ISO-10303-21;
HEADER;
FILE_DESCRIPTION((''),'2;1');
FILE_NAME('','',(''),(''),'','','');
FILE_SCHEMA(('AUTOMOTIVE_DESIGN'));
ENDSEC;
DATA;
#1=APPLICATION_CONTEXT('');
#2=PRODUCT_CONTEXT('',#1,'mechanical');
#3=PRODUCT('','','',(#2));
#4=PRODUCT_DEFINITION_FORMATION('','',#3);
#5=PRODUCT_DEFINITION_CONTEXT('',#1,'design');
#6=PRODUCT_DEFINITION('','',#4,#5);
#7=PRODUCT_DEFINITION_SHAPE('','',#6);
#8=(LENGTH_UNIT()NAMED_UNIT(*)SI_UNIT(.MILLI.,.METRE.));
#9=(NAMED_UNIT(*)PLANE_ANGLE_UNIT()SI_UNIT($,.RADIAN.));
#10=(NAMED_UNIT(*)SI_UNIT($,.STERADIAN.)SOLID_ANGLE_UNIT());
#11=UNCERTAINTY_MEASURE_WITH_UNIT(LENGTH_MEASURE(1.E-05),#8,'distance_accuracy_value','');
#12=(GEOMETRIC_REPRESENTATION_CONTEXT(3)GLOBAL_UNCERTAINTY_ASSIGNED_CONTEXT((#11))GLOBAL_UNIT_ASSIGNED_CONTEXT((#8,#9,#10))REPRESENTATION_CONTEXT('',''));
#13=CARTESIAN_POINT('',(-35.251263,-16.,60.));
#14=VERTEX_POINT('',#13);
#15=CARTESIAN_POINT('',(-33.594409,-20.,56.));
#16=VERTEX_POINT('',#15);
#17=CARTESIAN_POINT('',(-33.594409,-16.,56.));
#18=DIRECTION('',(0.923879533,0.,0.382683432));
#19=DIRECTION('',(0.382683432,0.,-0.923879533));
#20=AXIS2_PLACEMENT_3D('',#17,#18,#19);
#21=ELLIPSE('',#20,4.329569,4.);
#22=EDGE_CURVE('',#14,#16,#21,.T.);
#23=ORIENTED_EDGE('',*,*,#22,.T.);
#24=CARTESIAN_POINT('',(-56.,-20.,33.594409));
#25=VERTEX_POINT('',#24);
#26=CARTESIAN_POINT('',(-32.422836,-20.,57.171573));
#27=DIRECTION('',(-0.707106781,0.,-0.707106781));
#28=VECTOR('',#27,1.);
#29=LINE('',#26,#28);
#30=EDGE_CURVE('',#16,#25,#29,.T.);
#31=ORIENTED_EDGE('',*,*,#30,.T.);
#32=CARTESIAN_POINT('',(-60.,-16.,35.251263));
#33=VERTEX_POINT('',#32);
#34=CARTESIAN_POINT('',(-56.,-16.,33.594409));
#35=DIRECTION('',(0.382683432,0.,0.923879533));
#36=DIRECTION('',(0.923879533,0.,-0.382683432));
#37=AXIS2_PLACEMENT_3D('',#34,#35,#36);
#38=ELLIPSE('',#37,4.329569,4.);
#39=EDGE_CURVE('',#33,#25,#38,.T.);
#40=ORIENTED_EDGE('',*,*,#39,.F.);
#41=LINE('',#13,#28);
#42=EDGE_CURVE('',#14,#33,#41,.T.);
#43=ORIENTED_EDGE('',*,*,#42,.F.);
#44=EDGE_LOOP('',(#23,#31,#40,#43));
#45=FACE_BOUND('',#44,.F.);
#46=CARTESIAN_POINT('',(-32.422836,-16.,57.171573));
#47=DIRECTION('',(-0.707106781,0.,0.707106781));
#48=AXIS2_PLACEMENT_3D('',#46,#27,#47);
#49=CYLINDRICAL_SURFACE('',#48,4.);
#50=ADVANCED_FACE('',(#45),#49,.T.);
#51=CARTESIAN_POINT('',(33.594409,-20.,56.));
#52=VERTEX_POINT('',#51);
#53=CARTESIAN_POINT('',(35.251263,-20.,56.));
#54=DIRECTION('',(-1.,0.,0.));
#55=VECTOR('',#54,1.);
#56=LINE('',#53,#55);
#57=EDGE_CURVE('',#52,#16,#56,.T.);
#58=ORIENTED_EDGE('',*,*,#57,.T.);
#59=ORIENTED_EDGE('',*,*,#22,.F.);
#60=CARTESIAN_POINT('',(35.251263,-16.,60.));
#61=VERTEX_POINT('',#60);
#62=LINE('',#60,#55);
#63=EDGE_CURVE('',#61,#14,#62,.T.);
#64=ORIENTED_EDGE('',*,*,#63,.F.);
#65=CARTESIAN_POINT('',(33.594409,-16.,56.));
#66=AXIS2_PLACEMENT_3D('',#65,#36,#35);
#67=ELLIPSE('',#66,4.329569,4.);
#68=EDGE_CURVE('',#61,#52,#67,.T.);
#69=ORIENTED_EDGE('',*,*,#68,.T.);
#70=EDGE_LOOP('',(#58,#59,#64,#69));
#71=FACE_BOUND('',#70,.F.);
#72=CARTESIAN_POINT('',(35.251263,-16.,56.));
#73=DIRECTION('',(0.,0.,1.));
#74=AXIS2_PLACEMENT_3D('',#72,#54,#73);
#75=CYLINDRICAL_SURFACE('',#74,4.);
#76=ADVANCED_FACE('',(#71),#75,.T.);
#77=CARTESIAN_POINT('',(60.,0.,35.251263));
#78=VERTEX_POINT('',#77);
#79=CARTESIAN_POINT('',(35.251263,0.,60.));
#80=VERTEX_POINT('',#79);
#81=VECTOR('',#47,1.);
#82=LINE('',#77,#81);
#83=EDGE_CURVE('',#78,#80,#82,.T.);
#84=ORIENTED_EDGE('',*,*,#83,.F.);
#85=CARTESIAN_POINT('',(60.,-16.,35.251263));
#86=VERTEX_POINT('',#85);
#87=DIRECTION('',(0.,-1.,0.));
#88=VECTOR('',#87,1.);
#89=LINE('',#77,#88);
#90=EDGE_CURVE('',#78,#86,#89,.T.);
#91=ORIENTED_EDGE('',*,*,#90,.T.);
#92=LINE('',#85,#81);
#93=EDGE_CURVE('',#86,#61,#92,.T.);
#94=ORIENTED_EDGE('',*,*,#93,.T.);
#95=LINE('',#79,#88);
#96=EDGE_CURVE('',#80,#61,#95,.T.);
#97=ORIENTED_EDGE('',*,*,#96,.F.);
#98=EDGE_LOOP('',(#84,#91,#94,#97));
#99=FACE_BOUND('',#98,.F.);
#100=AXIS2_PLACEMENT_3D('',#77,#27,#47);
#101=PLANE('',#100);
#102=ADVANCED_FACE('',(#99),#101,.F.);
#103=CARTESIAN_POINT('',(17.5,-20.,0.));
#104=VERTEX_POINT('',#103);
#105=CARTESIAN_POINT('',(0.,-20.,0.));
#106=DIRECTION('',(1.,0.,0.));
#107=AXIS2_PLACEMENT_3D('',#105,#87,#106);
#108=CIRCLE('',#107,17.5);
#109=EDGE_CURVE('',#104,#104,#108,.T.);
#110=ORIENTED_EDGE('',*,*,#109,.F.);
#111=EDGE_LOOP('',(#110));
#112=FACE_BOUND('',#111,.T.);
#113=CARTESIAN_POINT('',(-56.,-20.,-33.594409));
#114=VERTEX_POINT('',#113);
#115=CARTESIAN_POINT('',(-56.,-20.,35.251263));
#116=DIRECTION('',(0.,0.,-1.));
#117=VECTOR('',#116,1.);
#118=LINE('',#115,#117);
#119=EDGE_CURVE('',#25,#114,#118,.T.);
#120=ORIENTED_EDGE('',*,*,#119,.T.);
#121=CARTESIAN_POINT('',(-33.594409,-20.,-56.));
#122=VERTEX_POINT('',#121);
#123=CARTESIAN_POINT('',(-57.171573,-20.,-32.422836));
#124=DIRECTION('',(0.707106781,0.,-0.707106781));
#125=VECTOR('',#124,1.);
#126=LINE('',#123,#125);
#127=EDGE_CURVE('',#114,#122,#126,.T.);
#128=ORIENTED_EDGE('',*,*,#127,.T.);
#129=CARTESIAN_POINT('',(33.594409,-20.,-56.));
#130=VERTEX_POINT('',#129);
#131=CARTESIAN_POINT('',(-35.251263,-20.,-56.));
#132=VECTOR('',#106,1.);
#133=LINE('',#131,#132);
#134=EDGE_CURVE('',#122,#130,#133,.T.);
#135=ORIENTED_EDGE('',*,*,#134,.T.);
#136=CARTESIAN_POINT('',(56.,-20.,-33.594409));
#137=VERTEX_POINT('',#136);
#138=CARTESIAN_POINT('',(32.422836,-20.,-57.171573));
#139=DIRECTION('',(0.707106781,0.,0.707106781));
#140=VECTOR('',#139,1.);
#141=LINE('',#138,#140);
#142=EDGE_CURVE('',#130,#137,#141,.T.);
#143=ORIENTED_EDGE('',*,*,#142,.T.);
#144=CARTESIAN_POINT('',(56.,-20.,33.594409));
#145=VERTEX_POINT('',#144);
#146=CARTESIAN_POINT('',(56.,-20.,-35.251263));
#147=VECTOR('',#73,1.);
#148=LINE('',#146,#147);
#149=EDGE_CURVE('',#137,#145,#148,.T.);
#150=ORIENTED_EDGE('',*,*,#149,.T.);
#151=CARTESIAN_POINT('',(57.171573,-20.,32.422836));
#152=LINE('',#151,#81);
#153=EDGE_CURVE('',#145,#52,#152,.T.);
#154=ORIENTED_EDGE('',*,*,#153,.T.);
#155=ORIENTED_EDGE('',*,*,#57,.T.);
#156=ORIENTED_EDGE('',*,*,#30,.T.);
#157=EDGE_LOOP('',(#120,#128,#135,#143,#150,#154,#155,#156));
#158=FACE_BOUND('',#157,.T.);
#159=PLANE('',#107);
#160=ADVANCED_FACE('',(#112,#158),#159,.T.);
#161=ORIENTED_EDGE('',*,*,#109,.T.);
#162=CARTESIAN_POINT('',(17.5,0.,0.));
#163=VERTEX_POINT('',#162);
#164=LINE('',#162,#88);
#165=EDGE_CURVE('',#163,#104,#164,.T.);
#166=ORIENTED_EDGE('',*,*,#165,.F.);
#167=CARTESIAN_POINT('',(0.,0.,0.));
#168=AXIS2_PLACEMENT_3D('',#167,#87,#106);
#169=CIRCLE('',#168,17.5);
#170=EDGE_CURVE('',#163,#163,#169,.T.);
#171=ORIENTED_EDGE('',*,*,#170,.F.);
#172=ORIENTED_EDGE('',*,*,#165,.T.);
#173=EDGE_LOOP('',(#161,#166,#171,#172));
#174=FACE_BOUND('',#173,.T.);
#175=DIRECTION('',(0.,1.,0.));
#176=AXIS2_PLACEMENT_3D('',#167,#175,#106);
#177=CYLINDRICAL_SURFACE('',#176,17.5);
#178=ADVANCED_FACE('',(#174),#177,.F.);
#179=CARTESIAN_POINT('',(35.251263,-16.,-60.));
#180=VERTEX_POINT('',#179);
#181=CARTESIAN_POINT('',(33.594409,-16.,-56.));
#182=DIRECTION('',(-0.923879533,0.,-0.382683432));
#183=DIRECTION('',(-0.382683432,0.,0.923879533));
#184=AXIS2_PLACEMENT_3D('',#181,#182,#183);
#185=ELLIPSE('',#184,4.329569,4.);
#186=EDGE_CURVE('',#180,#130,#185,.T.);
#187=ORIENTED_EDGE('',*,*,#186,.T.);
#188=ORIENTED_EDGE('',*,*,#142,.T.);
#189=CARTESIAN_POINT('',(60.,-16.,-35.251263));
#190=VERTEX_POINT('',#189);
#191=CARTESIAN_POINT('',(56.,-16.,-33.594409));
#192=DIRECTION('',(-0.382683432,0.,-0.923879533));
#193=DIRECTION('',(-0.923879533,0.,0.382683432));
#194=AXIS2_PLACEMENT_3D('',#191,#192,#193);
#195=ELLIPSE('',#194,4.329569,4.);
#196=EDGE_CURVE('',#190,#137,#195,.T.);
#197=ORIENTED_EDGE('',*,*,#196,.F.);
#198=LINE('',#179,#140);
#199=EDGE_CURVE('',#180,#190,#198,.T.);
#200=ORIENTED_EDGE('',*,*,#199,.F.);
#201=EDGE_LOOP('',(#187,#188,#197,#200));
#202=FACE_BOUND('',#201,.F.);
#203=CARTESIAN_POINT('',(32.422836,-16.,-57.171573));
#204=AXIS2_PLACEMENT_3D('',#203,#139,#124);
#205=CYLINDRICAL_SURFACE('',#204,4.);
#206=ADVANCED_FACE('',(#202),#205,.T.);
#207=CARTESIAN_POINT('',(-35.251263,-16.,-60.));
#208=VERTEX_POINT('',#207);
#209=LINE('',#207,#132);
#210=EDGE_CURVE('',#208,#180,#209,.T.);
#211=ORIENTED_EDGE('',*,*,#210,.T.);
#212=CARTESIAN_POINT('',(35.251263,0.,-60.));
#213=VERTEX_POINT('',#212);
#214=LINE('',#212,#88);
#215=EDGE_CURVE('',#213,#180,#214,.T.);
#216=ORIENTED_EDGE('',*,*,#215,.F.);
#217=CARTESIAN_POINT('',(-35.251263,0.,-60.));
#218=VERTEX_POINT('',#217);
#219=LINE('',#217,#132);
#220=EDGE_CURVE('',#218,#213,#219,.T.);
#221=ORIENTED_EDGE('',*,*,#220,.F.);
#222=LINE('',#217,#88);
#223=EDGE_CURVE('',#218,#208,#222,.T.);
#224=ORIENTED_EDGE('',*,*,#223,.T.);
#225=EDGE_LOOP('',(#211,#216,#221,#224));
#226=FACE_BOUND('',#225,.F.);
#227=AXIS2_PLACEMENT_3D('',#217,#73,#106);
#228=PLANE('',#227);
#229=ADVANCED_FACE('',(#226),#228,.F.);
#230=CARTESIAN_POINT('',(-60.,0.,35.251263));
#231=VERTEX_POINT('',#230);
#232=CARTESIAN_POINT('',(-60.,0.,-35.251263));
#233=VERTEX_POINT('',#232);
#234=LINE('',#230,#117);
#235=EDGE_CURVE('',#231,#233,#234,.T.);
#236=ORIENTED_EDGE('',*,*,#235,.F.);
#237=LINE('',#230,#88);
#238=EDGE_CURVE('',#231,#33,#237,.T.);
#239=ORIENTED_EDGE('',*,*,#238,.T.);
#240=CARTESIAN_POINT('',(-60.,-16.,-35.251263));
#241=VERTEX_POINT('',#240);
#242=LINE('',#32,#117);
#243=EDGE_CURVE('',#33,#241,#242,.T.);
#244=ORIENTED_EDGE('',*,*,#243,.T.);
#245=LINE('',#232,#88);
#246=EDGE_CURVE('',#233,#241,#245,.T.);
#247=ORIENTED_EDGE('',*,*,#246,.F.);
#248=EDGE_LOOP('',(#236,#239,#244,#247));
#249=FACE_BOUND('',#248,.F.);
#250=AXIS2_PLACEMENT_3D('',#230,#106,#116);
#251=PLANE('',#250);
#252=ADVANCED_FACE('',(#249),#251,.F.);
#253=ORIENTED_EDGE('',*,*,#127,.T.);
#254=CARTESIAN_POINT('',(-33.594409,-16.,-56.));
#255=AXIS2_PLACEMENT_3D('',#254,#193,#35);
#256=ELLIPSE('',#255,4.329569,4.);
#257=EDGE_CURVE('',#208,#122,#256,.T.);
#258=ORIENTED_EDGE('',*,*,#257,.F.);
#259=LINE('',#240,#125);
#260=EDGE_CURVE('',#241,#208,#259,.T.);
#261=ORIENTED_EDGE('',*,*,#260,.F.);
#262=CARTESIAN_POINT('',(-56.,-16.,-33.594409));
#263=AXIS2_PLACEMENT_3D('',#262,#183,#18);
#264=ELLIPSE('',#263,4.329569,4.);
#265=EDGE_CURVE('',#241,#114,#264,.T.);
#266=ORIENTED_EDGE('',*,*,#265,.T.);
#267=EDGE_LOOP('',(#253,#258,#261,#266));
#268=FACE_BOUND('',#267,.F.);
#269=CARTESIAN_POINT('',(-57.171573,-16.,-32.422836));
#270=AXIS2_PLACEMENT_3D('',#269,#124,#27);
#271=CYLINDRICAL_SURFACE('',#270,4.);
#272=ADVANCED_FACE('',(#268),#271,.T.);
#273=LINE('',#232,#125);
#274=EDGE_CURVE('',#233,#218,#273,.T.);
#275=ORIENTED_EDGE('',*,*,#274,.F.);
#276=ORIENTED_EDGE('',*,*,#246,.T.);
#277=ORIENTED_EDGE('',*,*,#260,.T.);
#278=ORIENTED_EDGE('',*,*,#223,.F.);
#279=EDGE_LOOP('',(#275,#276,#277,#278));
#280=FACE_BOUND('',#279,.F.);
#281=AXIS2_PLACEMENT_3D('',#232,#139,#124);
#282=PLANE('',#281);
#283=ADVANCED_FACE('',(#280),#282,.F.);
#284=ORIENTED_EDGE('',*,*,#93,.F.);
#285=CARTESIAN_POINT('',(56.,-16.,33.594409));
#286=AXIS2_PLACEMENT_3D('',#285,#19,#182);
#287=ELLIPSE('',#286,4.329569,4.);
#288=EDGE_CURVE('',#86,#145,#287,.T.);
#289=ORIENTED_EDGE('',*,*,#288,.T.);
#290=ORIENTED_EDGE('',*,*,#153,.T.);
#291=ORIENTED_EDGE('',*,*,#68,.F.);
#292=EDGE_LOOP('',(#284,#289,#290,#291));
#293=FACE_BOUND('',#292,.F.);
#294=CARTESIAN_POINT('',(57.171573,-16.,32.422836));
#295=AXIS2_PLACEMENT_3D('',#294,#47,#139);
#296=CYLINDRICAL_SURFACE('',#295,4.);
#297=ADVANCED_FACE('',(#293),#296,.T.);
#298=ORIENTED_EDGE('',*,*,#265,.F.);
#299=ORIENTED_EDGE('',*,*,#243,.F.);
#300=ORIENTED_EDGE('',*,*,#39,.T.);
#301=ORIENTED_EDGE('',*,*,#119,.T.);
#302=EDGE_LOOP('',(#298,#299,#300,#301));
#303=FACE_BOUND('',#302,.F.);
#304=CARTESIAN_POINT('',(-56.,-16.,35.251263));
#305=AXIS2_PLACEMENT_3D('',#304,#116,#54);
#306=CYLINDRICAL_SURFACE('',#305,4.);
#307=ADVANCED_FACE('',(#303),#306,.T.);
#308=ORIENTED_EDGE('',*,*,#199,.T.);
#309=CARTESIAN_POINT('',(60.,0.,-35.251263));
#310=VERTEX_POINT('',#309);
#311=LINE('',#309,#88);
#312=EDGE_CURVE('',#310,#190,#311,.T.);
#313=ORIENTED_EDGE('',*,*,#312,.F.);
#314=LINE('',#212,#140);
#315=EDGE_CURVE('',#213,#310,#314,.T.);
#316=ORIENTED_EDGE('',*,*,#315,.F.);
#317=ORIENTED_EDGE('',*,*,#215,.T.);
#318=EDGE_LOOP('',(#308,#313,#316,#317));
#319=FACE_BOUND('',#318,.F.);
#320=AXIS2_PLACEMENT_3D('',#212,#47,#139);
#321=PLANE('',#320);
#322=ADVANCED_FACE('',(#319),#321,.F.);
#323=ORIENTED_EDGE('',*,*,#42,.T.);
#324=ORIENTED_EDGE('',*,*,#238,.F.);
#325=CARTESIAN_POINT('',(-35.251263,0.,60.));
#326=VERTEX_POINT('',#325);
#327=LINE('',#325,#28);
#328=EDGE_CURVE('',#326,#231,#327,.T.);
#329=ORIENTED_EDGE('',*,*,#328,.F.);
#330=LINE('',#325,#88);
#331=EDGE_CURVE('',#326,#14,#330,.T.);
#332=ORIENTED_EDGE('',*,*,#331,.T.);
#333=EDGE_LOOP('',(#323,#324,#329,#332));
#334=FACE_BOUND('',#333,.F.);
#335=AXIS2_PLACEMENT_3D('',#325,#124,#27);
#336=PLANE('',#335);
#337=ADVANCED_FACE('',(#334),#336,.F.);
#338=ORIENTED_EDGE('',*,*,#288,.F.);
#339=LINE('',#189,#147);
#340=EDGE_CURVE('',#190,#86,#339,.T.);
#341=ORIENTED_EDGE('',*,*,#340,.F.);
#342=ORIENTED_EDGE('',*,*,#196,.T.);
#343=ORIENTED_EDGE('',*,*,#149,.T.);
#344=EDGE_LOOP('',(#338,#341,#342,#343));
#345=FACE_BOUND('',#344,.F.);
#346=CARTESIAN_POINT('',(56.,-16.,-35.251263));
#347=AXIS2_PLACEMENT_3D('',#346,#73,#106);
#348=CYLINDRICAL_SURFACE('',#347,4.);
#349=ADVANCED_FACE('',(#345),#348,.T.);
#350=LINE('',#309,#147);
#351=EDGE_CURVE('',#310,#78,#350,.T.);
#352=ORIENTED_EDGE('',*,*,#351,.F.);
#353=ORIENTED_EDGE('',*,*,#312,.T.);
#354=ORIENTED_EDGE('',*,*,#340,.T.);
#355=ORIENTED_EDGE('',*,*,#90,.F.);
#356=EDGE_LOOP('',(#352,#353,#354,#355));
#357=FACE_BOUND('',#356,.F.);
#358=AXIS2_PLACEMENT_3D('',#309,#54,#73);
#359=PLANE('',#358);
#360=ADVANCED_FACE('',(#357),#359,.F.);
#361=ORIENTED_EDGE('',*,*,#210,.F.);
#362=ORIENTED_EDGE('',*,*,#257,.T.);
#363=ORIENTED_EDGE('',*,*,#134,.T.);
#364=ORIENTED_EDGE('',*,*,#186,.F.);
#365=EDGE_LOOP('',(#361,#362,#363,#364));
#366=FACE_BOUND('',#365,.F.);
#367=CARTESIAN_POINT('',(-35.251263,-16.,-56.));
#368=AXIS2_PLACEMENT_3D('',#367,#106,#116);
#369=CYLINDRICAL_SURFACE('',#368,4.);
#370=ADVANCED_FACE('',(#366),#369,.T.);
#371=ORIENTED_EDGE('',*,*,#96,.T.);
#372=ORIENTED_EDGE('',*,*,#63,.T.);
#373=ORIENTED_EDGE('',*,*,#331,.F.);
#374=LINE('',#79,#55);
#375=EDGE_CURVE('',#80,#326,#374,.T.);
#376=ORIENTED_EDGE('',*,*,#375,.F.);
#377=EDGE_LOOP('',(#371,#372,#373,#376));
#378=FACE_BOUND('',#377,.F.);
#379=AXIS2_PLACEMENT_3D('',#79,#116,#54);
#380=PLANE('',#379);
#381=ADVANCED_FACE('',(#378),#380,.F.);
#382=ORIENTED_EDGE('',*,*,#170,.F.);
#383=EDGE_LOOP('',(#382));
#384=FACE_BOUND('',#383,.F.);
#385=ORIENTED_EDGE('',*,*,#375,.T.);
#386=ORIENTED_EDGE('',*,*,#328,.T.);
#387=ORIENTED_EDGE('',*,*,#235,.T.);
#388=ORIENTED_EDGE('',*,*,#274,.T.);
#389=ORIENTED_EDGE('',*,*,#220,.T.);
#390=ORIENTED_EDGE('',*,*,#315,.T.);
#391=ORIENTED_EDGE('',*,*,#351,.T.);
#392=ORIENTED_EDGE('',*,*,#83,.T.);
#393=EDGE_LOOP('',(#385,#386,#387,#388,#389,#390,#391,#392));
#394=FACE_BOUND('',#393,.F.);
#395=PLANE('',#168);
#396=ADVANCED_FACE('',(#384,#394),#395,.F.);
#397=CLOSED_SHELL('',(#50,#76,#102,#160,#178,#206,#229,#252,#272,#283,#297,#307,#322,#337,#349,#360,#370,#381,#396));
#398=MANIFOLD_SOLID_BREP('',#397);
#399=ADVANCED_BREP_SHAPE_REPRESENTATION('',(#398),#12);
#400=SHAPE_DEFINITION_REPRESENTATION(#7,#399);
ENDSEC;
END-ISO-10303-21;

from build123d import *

# Parameters (mm, degrees)
F0_R     = 17.5
F1_DEPTH = 20
F2_R     = 4


with BuildPart() as f1:
    # F0 (on Front) → F1 (new body)
    with BuildSketch(Plane.XZ):
        Polygon((35.251263, 60), (-35.251263, 60), (-60, 35.251263), (-60, -35.251263), (-35.251263, -60), (35.251263, -60), (60, -35.251263), (60, 35.251263), align=None)
        Circle(F0_R, mode=Mode.SUBTRACT)
    extrude(amount=F1_DEPTH)

    # F2
    f2_edges = [f1.edges().sort_by_distance(p)[0] for p in [
        (47.625631, -20, 47.625631),
        (60, -20, 0),
        (47.625631, -20, -47.625631),
        (0, -20, -60),
        (-47.625631, -20, -47.625631),
        (-60, -20, 0),
        (-47.625631, -20, 47.625631),
        (0, -20, 60),
    ]]
    fillet(f2_edges, radius=F2_R)


solid = f1.part
